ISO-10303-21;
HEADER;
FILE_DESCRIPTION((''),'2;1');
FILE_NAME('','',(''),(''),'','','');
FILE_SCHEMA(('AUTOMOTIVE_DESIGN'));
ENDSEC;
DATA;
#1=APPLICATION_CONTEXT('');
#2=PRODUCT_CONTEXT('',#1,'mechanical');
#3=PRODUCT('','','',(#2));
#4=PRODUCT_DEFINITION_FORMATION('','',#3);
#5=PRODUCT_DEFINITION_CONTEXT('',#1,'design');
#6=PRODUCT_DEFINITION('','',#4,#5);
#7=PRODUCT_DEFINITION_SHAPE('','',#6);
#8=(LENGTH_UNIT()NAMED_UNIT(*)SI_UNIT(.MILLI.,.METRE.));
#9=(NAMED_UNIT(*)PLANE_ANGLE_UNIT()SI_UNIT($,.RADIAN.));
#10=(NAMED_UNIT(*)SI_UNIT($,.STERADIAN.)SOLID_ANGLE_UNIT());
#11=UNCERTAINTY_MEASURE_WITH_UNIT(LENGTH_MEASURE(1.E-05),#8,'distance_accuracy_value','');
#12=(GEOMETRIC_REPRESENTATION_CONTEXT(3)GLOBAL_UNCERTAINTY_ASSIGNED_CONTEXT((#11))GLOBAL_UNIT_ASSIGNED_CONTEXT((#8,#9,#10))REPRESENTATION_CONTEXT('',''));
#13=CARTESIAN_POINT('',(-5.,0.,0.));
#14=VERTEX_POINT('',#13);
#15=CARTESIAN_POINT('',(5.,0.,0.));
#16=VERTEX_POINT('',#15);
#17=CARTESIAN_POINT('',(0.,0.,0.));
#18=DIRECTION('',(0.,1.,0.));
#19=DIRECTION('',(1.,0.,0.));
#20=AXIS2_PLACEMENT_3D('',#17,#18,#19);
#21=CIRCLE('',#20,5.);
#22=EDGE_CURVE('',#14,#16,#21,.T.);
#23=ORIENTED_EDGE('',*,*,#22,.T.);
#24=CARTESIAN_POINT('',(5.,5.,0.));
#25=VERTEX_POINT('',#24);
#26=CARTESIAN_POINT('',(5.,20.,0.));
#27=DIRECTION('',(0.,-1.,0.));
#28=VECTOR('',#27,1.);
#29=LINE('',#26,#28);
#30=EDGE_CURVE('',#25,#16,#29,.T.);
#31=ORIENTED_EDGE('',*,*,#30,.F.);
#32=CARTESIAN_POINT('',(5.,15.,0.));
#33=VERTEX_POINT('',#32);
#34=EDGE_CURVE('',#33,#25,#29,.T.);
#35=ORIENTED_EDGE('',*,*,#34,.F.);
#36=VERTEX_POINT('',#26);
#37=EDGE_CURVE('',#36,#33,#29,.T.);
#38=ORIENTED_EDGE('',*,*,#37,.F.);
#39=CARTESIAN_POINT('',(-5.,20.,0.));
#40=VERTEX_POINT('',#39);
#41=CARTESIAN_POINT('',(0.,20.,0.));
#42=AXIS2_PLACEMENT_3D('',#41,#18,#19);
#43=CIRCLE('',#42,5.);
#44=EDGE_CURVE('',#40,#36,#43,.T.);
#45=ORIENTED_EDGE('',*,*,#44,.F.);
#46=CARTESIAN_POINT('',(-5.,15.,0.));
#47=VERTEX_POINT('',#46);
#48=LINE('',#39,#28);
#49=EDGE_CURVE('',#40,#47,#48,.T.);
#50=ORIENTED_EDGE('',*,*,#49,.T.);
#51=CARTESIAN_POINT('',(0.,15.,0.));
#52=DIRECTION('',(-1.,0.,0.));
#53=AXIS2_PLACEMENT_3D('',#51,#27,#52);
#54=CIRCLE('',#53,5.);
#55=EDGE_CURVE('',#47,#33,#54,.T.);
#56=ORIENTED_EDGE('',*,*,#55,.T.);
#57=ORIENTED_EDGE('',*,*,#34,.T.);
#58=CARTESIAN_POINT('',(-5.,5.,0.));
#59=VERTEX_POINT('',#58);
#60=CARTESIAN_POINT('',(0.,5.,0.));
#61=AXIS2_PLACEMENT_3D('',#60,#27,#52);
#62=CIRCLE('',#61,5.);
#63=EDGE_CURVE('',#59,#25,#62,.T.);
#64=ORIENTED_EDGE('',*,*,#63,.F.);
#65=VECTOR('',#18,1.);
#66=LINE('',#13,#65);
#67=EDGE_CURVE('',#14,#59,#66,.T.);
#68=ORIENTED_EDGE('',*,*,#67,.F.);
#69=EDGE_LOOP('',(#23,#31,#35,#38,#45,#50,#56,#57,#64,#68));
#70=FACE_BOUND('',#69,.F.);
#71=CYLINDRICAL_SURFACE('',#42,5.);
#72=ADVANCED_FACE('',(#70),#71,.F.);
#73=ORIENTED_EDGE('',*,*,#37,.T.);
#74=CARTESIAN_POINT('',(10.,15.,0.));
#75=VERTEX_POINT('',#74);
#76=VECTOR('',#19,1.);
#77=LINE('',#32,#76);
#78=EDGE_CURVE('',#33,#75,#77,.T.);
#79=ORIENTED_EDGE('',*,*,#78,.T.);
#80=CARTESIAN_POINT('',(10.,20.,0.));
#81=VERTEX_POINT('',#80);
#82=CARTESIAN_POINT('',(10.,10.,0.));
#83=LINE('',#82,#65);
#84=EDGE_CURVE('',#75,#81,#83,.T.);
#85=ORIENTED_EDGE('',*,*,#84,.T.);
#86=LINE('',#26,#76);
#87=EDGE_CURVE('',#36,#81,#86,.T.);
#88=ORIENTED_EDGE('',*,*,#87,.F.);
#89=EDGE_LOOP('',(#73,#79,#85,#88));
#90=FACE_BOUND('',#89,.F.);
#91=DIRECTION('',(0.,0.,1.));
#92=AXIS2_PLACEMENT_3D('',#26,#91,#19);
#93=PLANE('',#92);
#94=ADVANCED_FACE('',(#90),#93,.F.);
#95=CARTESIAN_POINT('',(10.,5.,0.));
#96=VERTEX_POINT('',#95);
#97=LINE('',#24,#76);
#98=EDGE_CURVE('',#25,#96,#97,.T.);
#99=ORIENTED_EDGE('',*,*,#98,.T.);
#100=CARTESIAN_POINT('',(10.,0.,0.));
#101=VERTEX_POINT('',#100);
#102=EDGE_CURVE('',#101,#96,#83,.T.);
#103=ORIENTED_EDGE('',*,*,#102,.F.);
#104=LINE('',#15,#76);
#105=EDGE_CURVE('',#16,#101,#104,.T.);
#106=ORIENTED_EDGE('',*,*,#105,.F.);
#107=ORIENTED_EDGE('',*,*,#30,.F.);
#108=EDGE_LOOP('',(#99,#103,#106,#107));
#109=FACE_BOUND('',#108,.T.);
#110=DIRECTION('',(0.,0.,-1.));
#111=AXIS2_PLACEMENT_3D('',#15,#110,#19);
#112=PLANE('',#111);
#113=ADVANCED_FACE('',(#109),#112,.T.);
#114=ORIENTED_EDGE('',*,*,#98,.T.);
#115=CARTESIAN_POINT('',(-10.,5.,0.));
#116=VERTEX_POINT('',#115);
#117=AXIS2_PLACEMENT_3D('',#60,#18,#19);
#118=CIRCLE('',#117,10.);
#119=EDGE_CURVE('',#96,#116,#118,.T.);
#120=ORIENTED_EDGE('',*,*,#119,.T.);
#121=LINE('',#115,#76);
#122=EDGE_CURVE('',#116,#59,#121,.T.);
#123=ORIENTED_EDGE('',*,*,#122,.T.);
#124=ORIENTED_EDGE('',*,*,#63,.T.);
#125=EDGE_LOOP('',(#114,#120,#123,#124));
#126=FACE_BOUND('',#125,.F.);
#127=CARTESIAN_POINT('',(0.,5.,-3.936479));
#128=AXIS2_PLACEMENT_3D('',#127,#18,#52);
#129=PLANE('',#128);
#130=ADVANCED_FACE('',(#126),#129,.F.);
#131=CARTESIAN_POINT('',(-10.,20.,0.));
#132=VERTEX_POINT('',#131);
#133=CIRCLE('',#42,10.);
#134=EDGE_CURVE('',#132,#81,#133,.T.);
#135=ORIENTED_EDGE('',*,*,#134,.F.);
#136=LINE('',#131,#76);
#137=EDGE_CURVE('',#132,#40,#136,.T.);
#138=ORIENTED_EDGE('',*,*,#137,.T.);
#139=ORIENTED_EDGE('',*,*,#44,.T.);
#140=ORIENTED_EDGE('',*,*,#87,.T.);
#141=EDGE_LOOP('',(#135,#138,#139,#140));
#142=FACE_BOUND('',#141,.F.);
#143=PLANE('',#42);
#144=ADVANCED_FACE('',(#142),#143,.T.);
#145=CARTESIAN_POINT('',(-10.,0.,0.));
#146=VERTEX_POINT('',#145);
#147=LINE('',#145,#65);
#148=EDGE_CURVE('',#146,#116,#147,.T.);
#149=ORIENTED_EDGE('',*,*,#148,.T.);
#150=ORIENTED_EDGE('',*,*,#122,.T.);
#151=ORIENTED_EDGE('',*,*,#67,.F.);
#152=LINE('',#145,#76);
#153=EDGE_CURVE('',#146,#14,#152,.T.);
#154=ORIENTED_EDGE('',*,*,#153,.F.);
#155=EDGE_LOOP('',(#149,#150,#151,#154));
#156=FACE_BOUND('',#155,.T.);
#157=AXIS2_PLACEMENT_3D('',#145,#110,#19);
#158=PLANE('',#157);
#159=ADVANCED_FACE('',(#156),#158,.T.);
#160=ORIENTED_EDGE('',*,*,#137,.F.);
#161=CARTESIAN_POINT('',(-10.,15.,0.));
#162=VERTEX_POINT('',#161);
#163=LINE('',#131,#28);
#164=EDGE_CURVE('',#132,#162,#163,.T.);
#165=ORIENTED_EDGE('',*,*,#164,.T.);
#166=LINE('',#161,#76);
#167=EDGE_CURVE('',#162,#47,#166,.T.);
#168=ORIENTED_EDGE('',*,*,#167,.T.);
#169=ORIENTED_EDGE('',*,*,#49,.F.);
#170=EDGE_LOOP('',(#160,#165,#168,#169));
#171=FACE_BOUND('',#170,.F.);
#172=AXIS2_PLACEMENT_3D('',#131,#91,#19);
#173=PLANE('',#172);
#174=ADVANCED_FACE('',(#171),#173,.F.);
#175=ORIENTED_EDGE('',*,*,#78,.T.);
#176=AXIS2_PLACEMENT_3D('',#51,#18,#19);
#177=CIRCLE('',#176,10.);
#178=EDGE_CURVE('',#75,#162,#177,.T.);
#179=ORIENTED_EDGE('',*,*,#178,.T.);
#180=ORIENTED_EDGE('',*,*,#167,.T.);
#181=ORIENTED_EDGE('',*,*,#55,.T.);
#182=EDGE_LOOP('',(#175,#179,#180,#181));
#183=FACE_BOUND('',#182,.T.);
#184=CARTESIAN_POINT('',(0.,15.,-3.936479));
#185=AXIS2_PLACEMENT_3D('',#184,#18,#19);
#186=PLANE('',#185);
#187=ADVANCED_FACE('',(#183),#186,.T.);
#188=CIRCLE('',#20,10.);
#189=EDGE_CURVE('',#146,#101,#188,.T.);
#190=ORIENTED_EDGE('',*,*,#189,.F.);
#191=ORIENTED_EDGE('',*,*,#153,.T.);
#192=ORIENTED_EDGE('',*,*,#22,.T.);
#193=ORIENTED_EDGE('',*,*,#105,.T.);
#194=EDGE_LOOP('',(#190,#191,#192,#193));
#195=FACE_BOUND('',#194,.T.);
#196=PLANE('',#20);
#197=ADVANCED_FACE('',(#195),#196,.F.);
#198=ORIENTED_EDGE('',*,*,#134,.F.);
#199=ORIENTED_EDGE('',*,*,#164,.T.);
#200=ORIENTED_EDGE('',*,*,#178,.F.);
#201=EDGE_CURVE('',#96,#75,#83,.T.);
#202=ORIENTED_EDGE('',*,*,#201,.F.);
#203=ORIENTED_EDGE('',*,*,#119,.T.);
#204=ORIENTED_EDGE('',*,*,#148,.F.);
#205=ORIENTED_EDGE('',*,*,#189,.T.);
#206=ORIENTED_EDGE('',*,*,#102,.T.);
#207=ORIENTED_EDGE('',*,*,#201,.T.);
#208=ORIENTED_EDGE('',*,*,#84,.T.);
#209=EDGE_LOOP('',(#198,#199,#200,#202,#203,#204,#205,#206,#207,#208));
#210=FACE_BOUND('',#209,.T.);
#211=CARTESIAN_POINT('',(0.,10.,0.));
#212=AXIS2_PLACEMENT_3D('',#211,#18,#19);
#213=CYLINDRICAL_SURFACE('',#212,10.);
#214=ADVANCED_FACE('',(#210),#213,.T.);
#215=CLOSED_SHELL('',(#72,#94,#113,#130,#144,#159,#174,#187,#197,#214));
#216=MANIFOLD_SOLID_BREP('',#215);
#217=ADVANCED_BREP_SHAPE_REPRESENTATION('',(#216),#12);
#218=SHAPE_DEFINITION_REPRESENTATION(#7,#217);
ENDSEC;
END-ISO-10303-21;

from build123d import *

# Parameters (mm, degrees)
SKETCH1_W          = 10
SKETCH1_H          = 20
SKETCH2_R          = 5
CUT_EXTRUDE1_DEPTH = 20
CUT_EXTRUDE2_DEPTH = 5
CUT_EXTRUDE3_DEPTH = 5


with BuildPart() as part:
    # Sketch1 → Revolve1 (revolve)
    with BuildSketch(Plane.XY):
        with Locations((5, 10)):
            Rectangle(SKETCH1_W, SKETCH1_H)
    revolve(axis=Axis((0, 0, 0), (0, 1, 0)))

    # Sketch2 → Cut-Extrude1 (cut)
    with BuildSketch(Plane(origin=(0, 20, 0), x_dir=(1, 0, 0), z_dir=(0, 1, 0))):
        Circle(SKETCH2_R)
    extrude(amount=-CUT_EXTRUDE1_DEPTH, mode=Mode.SUBTRACT)

    # Sketch3 → Cut-Extrude2 (cut)
    with BuildSketch(Plane(origin=(0, 20, 0), x_dir=(1, 0, 0), z_dir=(0, 1, 0))):
        with BuildLine():
            Line((-10, 0), (-5, 0))
            ThreePointArc((-5, 0), (0, 5), (5, 0))
            Line((5, 0), (10, 0))
            ThreePointArc((10, 0), (0, 10), (-10, 0))
        make_face()
    extrude(amount=-CUT_EXTRUDE2_DEPTH, mode=Mode.SUBTRACT)

    # Sketch4 → Cut-Extrude3 (cut)
    with BuildSketch(Plane.XZ):
        with BuildLine():
            Line((-10, 0), (-5, 0))
            ThreePointArc((-5, 0), (0, -5), (5, 0))
            Line((5, 0), (10, 0))
            ThreePointArc((10, 0), (0, -10), (-10, 0))
        make_face()
    extrude(amount=-CUT_EXTRUDE3_DEPTH, mode=Mode.SUBTRACT)


solid = part.part
